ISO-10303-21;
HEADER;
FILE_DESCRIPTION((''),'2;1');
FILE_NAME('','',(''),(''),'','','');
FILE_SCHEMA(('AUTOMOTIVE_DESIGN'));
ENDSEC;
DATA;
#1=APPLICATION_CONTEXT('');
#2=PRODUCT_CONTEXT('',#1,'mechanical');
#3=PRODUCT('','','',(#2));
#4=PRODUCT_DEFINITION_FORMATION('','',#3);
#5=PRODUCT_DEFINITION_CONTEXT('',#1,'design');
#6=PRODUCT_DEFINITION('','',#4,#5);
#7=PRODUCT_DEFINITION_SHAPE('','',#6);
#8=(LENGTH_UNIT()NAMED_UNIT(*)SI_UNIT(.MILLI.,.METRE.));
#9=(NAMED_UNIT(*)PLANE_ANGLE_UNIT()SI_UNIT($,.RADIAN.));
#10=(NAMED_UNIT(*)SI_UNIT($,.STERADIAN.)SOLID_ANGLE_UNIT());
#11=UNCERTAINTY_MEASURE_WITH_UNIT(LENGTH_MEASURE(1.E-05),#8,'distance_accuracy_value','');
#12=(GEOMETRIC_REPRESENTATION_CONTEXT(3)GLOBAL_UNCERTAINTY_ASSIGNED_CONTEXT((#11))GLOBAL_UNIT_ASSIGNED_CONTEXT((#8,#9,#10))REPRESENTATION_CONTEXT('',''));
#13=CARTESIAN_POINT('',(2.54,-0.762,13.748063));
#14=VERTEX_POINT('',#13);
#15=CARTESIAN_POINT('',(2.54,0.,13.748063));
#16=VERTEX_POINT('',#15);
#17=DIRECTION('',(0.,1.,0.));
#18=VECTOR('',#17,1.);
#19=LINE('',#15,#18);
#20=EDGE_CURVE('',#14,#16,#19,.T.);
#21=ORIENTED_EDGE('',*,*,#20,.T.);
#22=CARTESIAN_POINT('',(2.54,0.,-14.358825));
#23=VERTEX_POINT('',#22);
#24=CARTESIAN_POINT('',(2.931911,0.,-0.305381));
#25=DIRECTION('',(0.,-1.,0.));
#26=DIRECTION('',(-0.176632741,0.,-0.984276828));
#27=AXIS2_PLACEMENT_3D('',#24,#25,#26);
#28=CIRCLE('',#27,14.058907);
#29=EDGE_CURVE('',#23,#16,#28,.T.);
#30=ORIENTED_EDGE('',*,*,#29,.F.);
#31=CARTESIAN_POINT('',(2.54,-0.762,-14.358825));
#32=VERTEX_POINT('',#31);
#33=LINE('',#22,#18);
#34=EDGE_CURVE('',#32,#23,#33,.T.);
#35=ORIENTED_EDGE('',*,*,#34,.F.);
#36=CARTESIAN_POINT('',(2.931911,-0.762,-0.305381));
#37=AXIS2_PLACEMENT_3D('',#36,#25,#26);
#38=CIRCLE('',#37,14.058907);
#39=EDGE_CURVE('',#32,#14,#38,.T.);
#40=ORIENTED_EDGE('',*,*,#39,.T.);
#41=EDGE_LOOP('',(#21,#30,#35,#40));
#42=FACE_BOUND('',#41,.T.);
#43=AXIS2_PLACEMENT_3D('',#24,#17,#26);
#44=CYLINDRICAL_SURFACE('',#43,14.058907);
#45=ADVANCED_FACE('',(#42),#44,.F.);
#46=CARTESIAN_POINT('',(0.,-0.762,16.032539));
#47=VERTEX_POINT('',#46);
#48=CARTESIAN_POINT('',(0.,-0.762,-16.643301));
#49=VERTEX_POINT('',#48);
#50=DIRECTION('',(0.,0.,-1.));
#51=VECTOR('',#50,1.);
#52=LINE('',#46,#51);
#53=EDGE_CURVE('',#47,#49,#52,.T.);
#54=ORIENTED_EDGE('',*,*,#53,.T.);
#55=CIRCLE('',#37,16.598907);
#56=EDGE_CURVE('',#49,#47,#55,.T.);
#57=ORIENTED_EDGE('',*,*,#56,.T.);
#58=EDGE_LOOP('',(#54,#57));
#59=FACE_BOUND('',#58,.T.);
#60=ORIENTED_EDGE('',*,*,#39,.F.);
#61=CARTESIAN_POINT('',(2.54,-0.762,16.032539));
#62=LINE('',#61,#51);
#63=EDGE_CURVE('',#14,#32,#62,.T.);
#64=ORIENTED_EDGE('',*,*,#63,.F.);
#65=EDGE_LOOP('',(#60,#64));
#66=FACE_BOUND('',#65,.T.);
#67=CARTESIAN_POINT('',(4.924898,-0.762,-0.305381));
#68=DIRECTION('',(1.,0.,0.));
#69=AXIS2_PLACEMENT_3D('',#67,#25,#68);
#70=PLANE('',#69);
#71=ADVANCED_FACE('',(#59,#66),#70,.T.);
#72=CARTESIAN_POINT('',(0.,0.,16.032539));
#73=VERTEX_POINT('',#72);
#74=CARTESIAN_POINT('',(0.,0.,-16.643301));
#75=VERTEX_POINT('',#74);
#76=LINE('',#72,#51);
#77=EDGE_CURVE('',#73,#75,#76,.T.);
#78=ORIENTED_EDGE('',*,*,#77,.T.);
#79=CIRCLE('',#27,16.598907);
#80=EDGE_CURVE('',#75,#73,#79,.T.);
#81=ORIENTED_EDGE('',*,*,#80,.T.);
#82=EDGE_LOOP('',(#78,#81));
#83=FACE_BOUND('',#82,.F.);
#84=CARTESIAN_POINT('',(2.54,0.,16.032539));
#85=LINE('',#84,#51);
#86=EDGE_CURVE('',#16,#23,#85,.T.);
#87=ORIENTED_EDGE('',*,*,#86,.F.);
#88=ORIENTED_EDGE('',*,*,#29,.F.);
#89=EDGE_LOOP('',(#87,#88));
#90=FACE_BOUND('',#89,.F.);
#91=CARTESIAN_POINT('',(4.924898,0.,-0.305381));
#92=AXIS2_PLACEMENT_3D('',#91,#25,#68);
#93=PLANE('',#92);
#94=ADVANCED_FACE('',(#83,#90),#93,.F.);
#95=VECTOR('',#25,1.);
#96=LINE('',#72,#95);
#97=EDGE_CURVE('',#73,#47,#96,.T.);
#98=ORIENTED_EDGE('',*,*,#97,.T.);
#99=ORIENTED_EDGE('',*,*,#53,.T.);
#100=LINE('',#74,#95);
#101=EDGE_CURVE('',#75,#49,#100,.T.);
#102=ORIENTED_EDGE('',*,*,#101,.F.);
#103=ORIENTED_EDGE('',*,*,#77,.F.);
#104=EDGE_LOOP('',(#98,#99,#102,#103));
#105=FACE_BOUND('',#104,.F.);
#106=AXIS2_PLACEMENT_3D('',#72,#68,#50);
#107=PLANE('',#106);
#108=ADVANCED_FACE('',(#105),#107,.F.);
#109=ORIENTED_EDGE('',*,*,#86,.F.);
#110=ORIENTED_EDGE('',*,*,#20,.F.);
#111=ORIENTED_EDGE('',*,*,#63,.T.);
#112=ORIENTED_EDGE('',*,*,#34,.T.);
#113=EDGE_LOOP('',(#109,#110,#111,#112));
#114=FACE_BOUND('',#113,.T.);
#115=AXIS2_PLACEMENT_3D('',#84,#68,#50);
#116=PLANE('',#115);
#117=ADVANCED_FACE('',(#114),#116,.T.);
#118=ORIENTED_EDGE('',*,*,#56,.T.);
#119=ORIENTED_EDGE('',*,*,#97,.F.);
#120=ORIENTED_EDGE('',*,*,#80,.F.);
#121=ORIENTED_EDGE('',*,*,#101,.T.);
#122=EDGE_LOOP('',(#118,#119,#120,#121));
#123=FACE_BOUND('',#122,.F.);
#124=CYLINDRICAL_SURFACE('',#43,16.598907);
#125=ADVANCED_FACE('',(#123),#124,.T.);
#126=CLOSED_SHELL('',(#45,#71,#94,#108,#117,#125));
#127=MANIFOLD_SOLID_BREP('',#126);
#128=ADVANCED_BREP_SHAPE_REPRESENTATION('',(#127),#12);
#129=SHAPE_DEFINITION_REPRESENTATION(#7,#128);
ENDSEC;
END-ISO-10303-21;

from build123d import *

# Parameters (mm, degrees)
F1_DEPTH = 0.762
F2_T     = -2.54


with BuildPart() as f1:
    # F0 (on Front) → F1 (new body)
    with BuildSketch(Plane.XZ):
        with BuildLine():
            ThreePointArc((0, -16.643301), (14.531137, -0.305381), (0, 16.032539))
            Line((0, 16.032539), (0, -16.643301))
        make_face()
        with BuildLine():
            ThreePointArc((0, -16.643301), (19.530818, -0.305381), (0, 16.032539))
            ThreePointArc((0, 16.032539), (14.531137, -0.305381), (0, -16.643301))
        make_face()
    extrude(amount=F1_DEPTH)

    # F2
    f2_openings = [f1.faces().sort_by_distance(p)[0] for p in [
        (8.421474, 0, -0.305381),
        (8.421474, -0.762, -0.305381),
    ]]
    offset(amount=F2_T, openings=f2_openings)


solid = f1.part
